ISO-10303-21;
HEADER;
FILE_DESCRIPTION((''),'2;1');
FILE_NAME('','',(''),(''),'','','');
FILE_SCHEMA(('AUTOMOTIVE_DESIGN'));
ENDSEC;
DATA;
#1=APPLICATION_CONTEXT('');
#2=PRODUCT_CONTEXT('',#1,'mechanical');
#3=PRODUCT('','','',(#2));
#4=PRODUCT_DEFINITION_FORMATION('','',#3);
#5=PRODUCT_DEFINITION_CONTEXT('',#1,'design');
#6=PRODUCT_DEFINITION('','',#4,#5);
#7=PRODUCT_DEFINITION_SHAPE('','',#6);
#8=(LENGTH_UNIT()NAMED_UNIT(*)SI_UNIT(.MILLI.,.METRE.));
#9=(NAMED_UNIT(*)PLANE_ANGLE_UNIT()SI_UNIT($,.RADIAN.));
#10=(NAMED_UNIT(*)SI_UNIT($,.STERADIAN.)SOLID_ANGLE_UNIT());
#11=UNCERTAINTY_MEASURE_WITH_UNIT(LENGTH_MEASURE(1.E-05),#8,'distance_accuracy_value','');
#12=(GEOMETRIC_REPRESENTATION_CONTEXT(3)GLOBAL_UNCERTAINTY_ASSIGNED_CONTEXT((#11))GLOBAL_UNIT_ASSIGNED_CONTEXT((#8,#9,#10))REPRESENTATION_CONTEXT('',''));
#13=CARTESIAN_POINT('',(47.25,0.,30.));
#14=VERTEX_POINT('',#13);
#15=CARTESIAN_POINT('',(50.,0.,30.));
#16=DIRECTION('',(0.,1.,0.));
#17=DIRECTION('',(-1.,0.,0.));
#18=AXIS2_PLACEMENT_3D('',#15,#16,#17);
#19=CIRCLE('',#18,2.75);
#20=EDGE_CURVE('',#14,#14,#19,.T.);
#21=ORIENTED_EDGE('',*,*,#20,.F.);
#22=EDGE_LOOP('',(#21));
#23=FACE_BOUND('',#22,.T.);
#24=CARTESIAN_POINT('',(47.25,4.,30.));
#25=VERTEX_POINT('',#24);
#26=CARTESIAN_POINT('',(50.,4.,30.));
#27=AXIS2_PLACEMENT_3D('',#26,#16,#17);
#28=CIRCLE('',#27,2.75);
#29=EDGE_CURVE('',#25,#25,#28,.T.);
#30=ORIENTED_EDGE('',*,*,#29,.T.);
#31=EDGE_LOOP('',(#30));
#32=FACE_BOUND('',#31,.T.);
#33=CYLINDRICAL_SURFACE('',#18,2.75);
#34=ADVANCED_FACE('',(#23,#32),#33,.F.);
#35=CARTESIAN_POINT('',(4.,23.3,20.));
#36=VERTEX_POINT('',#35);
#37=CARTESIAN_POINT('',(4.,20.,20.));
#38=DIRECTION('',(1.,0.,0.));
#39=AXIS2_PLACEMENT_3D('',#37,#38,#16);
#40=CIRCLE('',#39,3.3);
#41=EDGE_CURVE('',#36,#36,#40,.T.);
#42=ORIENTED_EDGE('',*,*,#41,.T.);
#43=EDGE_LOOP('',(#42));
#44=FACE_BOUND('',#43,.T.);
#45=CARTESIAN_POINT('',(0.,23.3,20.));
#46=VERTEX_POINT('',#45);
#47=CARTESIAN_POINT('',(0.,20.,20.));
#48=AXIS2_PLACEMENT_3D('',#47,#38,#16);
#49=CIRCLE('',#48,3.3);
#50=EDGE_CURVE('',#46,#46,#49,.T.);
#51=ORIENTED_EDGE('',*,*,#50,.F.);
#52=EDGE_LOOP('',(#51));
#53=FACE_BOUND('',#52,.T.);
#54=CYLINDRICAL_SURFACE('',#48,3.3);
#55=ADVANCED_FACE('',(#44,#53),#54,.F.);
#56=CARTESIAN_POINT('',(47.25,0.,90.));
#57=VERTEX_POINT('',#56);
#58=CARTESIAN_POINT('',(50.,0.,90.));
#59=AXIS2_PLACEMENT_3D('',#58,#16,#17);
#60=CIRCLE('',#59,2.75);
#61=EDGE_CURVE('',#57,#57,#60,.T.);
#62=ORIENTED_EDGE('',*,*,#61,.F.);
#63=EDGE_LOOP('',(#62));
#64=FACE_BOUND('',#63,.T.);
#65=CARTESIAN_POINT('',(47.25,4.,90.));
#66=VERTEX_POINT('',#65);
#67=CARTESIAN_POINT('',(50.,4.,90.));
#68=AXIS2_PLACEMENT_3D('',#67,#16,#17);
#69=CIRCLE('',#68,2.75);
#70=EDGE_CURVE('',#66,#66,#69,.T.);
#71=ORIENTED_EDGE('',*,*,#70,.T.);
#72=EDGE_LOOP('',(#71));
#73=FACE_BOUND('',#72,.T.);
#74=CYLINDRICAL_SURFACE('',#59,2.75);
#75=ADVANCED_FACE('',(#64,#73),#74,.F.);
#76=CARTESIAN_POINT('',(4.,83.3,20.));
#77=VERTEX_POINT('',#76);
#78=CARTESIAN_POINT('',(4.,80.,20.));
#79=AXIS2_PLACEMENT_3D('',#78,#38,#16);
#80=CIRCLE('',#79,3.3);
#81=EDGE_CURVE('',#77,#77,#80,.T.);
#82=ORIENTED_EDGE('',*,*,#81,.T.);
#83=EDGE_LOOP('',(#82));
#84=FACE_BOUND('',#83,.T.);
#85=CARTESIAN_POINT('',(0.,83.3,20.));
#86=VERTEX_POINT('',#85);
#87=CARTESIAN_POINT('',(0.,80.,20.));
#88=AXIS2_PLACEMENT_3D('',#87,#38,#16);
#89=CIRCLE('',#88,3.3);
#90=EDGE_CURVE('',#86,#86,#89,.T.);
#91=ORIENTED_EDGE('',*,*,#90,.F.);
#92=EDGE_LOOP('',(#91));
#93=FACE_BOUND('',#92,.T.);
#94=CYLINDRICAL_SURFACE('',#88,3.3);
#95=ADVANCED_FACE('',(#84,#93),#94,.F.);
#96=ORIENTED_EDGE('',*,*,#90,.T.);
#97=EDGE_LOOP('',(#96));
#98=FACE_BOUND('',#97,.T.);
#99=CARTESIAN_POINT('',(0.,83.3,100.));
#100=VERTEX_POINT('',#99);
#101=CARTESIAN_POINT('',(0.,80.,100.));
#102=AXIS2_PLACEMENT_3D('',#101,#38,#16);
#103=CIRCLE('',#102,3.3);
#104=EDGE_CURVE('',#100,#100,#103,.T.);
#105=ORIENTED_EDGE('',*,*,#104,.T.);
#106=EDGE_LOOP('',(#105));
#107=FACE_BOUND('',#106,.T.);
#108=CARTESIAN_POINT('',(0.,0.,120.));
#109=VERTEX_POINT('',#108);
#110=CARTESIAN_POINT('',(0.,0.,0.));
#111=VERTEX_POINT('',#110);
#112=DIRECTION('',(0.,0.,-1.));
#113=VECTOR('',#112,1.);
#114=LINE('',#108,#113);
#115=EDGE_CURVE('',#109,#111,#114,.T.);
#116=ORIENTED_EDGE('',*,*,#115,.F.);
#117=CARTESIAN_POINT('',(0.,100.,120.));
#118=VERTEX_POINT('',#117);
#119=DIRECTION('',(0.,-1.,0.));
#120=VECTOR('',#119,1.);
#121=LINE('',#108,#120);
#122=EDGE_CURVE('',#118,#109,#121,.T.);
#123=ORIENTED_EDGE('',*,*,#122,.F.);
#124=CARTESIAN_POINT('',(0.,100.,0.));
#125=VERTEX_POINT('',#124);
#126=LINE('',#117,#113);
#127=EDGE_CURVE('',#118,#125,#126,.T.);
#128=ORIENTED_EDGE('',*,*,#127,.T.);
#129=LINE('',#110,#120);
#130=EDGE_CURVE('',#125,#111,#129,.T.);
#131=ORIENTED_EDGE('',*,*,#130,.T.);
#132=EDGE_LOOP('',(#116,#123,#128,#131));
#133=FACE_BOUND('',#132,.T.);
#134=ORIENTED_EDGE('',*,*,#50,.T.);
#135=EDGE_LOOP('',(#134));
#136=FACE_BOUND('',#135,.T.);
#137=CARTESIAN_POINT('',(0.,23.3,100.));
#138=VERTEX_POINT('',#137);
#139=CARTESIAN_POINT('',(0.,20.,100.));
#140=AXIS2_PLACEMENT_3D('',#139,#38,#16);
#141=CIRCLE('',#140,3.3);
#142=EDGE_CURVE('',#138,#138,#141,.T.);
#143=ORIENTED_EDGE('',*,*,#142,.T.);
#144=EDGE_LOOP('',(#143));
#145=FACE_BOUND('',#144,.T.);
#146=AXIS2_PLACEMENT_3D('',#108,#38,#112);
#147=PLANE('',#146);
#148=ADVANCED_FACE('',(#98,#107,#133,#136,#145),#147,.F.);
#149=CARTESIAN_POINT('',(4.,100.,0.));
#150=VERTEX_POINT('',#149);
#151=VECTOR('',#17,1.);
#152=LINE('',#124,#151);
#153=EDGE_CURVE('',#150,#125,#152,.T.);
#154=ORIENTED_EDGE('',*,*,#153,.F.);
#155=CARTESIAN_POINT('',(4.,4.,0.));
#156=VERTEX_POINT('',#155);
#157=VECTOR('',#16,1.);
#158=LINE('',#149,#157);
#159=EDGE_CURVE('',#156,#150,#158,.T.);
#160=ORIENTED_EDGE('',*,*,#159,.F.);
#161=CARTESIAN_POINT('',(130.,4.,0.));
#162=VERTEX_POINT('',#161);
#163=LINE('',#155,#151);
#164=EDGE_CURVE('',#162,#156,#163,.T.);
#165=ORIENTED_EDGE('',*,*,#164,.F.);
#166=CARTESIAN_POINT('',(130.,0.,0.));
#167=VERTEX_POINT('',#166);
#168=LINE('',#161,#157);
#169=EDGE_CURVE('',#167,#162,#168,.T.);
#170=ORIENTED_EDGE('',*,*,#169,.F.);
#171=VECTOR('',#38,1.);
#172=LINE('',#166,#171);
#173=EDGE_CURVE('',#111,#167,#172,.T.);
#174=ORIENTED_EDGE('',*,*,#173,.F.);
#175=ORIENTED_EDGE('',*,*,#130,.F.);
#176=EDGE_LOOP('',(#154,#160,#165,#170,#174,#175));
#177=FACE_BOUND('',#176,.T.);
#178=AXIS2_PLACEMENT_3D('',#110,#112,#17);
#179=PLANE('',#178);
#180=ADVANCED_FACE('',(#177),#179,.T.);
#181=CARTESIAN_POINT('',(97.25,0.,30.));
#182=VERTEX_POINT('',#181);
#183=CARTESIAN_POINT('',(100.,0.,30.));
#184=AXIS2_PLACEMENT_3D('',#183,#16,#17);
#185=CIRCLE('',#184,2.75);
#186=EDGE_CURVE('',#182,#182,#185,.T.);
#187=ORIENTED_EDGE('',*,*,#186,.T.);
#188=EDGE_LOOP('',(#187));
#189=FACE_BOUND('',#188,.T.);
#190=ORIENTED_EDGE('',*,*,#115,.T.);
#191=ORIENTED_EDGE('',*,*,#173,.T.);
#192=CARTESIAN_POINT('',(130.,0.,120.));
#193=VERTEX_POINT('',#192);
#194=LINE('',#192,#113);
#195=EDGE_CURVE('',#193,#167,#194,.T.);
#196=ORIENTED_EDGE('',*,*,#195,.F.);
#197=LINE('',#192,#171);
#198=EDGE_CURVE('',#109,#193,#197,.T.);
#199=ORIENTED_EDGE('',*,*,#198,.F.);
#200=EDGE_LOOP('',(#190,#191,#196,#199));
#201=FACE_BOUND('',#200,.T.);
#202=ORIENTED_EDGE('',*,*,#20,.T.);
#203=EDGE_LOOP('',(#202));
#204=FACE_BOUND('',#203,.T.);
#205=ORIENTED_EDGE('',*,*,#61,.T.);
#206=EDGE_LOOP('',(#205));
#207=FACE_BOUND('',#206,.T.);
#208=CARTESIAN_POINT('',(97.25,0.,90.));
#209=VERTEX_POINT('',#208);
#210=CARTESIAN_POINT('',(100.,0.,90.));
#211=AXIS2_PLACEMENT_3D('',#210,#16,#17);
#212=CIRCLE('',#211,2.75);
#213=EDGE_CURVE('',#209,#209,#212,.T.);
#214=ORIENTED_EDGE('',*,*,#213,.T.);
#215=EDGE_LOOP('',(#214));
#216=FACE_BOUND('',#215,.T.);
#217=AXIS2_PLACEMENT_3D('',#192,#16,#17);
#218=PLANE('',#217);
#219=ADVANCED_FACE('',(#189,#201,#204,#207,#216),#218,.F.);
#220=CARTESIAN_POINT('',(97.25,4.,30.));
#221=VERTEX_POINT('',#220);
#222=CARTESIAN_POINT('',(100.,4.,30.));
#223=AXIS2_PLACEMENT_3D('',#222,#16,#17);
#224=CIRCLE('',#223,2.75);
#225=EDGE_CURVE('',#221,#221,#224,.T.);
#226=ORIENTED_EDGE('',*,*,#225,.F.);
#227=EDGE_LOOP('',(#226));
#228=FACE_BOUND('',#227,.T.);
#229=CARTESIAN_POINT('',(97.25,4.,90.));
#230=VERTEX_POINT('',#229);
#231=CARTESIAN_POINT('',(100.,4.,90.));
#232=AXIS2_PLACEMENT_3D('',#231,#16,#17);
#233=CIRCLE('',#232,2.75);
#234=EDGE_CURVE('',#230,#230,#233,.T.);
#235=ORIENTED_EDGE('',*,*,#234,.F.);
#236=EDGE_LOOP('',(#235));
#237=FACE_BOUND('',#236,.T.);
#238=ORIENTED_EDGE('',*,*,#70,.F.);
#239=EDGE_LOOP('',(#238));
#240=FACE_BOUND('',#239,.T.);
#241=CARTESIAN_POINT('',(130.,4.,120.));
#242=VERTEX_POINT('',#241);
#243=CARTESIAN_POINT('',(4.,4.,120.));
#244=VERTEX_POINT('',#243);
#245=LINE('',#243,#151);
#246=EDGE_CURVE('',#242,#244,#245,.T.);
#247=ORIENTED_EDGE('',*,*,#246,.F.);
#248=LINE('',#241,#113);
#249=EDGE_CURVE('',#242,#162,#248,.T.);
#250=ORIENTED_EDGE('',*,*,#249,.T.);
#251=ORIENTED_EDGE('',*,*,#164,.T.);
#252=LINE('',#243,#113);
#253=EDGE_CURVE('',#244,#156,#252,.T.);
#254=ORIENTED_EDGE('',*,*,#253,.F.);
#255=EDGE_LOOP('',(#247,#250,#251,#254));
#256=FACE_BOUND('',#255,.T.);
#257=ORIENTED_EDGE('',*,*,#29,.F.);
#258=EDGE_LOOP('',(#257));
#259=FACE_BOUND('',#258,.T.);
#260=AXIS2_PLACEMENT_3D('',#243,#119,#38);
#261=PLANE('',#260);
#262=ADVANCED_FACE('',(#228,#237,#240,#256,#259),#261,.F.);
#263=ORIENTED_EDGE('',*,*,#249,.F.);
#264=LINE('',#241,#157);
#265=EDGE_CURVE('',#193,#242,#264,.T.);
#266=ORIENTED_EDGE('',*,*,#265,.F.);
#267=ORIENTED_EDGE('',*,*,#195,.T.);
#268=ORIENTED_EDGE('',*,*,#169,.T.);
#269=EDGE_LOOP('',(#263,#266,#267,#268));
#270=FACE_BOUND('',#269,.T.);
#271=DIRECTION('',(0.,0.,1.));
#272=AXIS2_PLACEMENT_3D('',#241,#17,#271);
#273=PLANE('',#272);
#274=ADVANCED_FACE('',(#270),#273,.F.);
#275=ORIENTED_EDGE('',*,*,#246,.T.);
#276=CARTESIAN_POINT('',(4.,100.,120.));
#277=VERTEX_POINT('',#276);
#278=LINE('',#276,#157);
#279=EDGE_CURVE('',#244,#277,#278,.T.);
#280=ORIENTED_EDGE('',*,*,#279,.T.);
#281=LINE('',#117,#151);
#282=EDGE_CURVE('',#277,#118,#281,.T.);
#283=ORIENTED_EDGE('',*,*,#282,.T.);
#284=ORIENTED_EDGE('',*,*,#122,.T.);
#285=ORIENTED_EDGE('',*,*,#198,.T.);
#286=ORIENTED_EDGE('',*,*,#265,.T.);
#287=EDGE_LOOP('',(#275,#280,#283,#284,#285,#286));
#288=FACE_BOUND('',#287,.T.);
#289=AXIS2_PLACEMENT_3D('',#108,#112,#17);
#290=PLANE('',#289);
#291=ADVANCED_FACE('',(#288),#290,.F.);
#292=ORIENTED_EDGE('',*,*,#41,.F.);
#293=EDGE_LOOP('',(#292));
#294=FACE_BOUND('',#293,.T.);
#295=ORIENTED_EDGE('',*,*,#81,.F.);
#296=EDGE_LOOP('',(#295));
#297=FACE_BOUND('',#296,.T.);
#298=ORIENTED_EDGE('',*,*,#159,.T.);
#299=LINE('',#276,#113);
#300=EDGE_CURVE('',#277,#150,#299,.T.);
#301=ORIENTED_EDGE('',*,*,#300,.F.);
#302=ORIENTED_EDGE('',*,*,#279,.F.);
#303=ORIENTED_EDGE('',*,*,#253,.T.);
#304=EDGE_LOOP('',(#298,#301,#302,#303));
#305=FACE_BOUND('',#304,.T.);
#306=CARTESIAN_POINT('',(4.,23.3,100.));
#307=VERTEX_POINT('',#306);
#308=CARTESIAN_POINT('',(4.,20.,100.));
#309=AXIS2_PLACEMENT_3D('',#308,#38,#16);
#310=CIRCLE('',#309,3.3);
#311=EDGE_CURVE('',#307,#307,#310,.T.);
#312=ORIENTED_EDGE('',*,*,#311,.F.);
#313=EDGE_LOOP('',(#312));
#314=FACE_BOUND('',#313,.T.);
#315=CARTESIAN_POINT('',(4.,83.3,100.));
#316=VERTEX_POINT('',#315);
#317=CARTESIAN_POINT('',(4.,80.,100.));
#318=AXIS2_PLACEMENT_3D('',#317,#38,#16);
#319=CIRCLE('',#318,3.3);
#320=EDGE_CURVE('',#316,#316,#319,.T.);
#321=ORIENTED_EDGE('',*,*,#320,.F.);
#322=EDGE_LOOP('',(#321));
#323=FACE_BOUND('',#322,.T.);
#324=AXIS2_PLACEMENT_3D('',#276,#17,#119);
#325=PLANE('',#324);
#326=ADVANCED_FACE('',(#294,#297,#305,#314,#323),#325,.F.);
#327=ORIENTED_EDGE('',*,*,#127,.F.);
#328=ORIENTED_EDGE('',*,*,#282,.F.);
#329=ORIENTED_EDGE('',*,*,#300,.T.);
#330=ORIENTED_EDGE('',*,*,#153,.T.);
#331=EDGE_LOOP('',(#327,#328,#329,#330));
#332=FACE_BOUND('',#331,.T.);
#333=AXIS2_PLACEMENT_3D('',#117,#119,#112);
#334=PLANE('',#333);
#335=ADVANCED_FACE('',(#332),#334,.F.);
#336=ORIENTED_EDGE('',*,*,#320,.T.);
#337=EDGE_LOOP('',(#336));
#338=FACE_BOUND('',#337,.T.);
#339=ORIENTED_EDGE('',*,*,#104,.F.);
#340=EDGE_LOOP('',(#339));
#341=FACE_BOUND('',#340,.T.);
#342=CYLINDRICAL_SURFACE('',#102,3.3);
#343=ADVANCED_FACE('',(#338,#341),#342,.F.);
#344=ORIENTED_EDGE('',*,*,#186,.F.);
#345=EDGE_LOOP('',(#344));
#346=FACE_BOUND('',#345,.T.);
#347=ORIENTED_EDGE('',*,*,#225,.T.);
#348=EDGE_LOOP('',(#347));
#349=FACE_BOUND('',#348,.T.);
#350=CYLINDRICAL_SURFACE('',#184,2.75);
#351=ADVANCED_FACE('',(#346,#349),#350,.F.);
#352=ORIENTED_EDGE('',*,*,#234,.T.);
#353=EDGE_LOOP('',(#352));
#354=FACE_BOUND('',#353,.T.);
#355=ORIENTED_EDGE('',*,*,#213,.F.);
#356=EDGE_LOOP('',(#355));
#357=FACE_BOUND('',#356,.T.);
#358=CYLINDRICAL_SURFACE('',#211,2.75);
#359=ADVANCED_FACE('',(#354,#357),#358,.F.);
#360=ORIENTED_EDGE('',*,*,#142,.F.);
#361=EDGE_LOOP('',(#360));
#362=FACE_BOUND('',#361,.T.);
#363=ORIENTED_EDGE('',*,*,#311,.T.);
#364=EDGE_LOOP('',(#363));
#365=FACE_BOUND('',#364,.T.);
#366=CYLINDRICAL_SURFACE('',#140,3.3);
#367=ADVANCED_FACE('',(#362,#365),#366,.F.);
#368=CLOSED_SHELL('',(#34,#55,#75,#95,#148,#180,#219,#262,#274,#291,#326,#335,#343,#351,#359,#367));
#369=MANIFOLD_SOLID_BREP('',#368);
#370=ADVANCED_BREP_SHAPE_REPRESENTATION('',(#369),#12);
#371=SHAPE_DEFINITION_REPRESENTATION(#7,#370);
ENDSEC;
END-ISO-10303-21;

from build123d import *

# Parameters (mm, degrees)
BOSS_EXTRUDE1_DEPTH = 120
SKETCH4_R           = 3.3
CUT_EXTRUDE1_DEPTH  = 201.688813839
SKETCH5_R           = 2.75
CUT_EXTRUDE2_DEPTH  = 202.285866369


with BuildPart() as part:
    # Sketch2 → Boss-Extrude1 (new body)
    with BuildSketch(Plane.XY):
        Polygon((0, 0), (0, 100), (4, 100), (4, 4), (130, 4), (130, 0), align=None)
    extrude(amount=BOSS_EXTRUDE1_DEPTH)

    # Sketch4 → Cut-Extrude1 (cut, through all)
    with BuildSketch(Plane(origin=(4, 0, 0), x_dir=(0, 0, -1), z_dir=(1, 0, 0))):
        with Locations(Location((-100, 80, 0), (0, 0, 90))):
            Circle(SKETCH4_R)
        with Locations(Location((-20, 80, 0), (0, 0, 90))):
            Circle(SKETCH4_R)
        with Locations(Location((-20, 20, 0), (0, 0, 90))):
            Circle(SKETCH4_R)
        with Locations(Location((-100, 20, 0), (0, 0, 90))):
            Circle(SKETCH4_R)
    extrude(amount=-CUT_EXTRUDE1_DEPTH, mode=Mode.SUBTRACT)

    # Sketch5 → Cut-Extrude2 (cut, through all)
    with BuildSketch(Plane(origin=(0, 4, 0), x_dir=(1, 0, 0), z_dir=(0, 1, 0))):
        with Locations(Location((100, -30, 0), (0, 0, 180))):
            Circle(SKETCH5_R)
        with Locations(Location((50, -30, 0), (0, 0, 180))):
            Circle(SKETCH5_R)
        with Locations(Location((50, -90, 0), (0, 0, 180))):
            Circle(SKETCH5_R)
        with Locations(Location((100, -90, 0), (0, 0, 180))):
            Circle(SKETCH5_R)
    extrude(amount=-CUT_EXTRUDE2_DEPTH, mode=Mode.SUBTRACT)


solid = part.part
